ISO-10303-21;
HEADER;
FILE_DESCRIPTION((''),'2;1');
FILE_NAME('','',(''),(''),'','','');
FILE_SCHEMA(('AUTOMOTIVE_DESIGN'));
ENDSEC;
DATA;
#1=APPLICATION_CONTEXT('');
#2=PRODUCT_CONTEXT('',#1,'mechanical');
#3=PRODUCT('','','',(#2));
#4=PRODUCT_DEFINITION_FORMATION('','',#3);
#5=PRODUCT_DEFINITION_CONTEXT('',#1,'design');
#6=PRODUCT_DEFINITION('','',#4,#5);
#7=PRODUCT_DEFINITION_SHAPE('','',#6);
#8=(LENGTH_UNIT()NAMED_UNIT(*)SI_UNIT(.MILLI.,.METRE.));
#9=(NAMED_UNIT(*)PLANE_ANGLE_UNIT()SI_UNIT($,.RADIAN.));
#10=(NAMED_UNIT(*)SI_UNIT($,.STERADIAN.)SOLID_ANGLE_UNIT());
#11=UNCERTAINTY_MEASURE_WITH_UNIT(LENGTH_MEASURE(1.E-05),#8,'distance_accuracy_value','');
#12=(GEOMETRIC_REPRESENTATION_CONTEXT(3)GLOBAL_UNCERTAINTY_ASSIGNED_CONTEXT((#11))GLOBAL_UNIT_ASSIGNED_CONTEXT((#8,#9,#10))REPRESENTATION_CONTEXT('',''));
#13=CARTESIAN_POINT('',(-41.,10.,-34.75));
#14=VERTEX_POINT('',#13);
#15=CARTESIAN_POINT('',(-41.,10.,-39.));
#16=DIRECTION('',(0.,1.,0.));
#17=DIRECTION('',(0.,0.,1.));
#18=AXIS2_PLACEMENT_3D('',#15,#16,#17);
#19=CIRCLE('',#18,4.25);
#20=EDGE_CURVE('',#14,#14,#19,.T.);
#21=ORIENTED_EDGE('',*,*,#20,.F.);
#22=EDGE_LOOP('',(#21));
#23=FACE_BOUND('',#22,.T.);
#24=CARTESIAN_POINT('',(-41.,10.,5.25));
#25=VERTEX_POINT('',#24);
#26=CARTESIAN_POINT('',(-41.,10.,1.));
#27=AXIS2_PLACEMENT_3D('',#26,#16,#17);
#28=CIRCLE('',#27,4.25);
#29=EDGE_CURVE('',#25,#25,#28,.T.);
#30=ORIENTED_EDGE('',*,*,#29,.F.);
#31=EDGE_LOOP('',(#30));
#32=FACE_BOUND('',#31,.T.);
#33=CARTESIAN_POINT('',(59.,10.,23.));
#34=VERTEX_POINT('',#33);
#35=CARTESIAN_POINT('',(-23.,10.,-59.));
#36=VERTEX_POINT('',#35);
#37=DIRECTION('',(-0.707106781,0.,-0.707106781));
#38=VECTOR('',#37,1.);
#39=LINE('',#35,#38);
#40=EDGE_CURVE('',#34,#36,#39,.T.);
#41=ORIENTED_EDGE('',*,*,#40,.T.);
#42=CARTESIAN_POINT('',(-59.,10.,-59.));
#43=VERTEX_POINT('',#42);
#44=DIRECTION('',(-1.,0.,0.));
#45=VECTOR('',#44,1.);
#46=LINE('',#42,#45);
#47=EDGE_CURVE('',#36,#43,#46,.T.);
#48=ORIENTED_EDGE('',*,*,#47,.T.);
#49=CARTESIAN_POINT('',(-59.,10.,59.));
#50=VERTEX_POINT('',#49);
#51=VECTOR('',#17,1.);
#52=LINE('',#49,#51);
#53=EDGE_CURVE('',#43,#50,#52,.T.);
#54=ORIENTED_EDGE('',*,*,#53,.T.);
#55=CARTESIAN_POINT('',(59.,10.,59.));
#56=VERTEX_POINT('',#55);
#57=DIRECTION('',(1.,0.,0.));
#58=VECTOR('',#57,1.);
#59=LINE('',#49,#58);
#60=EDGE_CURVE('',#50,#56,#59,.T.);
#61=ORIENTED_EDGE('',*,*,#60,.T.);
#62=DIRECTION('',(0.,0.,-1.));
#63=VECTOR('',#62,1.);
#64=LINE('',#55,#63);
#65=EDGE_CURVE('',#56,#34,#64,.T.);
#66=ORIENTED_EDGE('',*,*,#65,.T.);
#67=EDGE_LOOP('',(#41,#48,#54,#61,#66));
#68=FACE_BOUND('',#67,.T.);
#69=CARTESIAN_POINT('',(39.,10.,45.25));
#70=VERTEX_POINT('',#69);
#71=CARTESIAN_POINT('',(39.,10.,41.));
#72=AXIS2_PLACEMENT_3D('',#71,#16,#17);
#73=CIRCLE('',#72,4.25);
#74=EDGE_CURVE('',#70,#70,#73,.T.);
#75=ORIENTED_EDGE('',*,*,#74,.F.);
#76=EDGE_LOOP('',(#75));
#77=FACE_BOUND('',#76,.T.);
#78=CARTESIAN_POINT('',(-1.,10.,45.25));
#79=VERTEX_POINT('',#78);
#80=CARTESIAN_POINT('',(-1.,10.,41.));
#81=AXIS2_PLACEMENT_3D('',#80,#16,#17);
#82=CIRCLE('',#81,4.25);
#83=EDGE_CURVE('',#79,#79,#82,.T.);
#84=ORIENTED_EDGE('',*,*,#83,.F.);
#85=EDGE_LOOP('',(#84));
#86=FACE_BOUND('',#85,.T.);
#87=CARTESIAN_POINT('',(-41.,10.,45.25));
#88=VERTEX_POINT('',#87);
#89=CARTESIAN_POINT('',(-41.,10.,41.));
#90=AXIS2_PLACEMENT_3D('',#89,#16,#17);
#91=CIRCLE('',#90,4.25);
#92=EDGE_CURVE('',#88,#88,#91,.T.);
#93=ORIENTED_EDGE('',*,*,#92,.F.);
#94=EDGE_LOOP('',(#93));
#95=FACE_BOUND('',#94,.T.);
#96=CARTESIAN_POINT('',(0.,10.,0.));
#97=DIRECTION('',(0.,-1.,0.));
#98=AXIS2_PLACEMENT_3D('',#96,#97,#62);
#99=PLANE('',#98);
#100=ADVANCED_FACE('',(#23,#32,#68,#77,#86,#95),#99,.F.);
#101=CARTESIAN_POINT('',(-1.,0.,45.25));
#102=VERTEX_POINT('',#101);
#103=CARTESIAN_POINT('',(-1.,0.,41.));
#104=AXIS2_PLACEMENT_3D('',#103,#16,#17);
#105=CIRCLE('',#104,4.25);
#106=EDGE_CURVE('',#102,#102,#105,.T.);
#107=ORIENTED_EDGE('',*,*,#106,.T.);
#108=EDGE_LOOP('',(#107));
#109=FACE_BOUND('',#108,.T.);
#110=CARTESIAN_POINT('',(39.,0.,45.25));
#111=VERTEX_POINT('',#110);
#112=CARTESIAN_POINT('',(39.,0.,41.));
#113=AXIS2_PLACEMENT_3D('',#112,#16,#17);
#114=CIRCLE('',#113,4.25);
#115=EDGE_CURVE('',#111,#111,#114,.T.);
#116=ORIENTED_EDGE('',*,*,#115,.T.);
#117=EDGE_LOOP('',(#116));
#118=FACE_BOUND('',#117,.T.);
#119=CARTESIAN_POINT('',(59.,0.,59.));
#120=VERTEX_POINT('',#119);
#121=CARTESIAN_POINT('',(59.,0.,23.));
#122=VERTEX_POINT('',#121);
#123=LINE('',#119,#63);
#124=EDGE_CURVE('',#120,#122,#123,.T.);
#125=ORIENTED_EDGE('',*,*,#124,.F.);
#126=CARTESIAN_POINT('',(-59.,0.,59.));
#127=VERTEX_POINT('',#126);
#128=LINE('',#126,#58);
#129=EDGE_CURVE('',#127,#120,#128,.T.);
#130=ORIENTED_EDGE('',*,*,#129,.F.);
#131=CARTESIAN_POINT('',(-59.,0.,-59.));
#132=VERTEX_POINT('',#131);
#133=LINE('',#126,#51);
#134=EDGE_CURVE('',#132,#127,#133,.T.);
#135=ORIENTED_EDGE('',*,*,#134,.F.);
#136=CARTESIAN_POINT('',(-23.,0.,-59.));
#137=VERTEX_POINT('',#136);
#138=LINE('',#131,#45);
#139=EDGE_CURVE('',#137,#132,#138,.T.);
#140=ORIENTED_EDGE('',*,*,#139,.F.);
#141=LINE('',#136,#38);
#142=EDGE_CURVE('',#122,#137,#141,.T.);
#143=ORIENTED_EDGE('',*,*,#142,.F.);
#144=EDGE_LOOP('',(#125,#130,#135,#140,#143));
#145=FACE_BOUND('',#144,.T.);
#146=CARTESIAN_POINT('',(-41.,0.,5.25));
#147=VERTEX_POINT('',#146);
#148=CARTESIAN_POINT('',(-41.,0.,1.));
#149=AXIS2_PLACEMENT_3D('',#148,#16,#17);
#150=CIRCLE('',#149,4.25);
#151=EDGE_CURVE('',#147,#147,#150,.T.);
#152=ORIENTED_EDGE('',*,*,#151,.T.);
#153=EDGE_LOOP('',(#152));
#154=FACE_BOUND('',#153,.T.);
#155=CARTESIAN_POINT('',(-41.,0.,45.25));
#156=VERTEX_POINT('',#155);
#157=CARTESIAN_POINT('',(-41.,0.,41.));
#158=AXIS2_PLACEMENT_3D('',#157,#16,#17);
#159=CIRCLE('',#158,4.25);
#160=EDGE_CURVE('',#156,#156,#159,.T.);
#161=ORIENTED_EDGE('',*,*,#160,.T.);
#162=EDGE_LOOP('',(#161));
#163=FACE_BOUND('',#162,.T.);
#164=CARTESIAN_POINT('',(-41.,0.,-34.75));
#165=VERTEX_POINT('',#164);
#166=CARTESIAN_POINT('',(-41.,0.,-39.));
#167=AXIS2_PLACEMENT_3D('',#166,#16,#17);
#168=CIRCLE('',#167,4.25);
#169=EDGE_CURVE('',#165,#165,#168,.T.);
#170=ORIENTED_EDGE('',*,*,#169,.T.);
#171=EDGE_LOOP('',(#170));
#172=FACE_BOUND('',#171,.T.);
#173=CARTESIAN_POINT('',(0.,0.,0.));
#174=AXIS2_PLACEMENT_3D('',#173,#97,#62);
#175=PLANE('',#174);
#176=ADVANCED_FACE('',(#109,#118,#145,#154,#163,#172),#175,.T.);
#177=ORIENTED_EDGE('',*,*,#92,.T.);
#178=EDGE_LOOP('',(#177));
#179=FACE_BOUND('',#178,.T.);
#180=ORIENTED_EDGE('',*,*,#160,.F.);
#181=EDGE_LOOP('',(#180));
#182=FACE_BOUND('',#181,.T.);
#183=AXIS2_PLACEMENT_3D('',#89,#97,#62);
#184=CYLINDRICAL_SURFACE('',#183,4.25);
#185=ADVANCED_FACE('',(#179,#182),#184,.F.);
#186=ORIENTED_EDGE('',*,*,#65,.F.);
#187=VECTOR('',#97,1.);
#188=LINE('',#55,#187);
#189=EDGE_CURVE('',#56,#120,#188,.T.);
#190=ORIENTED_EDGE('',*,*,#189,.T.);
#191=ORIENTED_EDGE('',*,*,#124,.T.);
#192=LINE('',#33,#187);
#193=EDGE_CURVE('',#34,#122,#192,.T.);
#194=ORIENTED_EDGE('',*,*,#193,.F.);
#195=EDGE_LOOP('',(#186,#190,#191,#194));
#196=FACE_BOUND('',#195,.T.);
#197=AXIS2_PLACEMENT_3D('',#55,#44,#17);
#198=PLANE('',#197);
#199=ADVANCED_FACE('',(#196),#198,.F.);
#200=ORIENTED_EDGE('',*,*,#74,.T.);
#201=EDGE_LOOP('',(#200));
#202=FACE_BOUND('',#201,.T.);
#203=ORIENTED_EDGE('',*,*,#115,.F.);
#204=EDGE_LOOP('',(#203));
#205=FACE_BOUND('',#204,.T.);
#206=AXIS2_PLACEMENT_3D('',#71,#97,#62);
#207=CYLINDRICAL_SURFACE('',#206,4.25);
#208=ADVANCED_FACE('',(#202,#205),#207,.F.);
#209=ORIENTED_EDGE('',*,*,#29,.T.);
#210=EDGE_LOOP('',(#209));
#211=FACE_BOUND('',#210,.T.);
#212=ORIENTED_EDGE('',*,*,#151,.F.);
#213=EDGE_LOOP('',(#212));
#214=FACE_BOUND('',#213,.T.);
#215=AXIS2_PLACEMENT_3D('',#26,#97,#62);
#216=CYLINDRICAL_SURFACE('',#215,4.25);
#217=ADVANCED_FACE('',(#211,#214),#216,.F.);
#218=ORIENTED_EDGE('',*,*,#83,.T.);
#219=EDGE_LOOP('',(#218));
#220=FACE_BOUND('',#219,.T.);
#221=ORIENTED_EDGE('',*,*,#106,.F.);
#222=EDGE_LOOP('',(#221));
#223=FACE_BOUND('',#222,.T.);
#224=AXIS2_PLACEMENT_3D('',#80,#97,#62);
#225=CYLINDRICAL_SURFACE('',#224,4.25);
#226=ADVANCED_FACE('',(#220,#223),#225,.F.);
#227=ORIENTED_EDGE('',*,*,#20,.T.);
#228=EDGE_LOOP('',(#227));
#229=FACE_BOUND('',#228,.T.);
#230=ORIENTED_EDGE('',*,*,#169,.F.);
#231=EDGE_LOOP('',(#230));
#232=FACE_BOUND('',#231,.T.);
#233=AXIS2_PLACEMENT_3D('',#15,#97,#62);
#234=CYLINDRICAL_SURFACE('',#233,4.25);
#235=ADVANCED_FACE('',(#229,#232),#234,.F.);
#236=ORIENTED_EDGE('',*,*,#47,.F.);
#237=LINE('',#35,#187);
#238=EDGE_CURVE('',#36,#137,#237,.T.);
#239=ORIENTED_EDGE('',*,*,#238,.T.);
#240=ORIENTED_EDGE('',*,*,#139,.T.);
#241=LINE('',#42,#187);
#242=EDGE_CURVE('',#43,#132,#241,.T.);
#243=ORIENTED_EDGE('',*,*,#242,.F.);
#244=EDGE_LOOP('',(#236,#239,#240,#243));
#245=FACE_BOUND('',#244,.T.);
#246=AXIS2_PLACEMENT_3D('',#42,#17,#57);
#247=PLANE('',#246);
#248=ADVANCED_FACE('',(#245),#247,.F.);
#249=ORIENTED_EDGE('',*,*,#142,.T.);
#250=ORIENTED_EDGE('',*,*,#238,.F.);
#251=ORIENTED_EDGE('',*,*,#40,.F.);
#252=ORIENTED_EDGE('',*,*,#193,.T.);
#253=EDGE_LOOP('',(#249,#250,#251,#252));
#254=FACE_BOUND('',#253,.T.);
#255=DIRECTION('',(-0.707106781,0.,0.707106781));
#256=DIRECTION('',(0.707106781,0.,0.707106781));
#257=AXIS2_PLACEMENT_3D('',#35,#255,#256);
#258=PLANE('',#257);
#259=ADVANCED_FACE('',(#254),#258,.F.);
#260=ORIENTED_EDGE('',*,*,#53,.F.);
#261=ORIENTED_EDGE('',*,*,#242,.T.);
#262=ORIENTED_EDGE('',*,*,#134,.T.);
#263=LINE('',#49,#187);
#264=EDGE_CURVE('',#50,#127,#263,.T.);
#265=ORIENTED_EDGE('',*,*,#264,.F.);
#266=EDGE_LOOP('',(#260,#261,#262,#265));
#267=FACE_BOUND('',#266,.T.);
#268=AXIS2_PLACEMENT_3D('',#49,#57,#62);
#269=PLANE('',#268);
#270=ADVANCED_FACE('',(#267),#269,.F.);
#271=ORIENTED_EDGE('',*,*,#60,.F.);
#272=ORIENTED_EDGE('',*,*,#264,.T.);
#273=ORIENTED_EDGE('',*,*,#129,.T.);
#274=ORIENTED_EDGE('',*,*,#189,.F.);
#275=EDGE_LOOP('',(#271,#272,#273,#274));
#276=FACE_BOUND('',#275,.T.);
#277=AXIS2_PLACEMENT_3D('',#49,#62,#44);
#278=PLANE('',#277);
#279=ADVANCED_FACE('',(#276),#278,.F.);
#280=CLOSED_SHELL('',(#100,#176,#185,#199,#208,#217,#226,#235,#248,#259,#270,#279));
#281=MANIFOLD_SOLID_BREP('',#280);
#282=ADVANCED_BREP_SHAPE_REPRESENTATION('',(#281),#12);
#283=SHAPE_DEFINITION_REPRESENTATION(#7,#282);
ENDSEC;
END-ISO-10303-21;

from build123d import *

# Parameters (mm, degrees)
SKETCH1_R           = 4.25
BOSS_EXTRUDE1_DEPTH = 10


with BuildPart() as part:
    # Sketch1 → Boss-Extrude1 (new body)
    with BuildSketch(Plane(origin=(0, 0, 0), x_dir=(1, 0, 0), z_dir=(0, 1, 0))):
        Polygon((-59, -59), (59, -59), (59, -23), (-23, 59), (-59, 59), align=None)
        with Locations(Location((-41, -41, 0), (0, 0, 270))):
            Circle(SKETCH1_R, mode=Mode.SUBTRACT)
        with Locations(Location((-1, -41, 0), (0, 0, 270))):
            Circle(SKETCH1_R, mode=Mode.SUBTRACT)
        with Locations(Location((39, -41, 0), (0, 0, 270))):
            Circle(SKETCH1_R, mode=Mode.SUBTRACT)
        with Locations(Location((-41, -1, 0), (0, 0, 270))):
            Circle(SKETCH1_R, mode=Mode.SUBTRACT)
        with Locations(Location((-41, 39, 0), (0, 0, 270))):
            Circle(SKETCH1_R, mode=Mode.SUBTRACT)
    extrude(amount=BOSS_EXTRUDE1_DEPTH)


solid = part.part
